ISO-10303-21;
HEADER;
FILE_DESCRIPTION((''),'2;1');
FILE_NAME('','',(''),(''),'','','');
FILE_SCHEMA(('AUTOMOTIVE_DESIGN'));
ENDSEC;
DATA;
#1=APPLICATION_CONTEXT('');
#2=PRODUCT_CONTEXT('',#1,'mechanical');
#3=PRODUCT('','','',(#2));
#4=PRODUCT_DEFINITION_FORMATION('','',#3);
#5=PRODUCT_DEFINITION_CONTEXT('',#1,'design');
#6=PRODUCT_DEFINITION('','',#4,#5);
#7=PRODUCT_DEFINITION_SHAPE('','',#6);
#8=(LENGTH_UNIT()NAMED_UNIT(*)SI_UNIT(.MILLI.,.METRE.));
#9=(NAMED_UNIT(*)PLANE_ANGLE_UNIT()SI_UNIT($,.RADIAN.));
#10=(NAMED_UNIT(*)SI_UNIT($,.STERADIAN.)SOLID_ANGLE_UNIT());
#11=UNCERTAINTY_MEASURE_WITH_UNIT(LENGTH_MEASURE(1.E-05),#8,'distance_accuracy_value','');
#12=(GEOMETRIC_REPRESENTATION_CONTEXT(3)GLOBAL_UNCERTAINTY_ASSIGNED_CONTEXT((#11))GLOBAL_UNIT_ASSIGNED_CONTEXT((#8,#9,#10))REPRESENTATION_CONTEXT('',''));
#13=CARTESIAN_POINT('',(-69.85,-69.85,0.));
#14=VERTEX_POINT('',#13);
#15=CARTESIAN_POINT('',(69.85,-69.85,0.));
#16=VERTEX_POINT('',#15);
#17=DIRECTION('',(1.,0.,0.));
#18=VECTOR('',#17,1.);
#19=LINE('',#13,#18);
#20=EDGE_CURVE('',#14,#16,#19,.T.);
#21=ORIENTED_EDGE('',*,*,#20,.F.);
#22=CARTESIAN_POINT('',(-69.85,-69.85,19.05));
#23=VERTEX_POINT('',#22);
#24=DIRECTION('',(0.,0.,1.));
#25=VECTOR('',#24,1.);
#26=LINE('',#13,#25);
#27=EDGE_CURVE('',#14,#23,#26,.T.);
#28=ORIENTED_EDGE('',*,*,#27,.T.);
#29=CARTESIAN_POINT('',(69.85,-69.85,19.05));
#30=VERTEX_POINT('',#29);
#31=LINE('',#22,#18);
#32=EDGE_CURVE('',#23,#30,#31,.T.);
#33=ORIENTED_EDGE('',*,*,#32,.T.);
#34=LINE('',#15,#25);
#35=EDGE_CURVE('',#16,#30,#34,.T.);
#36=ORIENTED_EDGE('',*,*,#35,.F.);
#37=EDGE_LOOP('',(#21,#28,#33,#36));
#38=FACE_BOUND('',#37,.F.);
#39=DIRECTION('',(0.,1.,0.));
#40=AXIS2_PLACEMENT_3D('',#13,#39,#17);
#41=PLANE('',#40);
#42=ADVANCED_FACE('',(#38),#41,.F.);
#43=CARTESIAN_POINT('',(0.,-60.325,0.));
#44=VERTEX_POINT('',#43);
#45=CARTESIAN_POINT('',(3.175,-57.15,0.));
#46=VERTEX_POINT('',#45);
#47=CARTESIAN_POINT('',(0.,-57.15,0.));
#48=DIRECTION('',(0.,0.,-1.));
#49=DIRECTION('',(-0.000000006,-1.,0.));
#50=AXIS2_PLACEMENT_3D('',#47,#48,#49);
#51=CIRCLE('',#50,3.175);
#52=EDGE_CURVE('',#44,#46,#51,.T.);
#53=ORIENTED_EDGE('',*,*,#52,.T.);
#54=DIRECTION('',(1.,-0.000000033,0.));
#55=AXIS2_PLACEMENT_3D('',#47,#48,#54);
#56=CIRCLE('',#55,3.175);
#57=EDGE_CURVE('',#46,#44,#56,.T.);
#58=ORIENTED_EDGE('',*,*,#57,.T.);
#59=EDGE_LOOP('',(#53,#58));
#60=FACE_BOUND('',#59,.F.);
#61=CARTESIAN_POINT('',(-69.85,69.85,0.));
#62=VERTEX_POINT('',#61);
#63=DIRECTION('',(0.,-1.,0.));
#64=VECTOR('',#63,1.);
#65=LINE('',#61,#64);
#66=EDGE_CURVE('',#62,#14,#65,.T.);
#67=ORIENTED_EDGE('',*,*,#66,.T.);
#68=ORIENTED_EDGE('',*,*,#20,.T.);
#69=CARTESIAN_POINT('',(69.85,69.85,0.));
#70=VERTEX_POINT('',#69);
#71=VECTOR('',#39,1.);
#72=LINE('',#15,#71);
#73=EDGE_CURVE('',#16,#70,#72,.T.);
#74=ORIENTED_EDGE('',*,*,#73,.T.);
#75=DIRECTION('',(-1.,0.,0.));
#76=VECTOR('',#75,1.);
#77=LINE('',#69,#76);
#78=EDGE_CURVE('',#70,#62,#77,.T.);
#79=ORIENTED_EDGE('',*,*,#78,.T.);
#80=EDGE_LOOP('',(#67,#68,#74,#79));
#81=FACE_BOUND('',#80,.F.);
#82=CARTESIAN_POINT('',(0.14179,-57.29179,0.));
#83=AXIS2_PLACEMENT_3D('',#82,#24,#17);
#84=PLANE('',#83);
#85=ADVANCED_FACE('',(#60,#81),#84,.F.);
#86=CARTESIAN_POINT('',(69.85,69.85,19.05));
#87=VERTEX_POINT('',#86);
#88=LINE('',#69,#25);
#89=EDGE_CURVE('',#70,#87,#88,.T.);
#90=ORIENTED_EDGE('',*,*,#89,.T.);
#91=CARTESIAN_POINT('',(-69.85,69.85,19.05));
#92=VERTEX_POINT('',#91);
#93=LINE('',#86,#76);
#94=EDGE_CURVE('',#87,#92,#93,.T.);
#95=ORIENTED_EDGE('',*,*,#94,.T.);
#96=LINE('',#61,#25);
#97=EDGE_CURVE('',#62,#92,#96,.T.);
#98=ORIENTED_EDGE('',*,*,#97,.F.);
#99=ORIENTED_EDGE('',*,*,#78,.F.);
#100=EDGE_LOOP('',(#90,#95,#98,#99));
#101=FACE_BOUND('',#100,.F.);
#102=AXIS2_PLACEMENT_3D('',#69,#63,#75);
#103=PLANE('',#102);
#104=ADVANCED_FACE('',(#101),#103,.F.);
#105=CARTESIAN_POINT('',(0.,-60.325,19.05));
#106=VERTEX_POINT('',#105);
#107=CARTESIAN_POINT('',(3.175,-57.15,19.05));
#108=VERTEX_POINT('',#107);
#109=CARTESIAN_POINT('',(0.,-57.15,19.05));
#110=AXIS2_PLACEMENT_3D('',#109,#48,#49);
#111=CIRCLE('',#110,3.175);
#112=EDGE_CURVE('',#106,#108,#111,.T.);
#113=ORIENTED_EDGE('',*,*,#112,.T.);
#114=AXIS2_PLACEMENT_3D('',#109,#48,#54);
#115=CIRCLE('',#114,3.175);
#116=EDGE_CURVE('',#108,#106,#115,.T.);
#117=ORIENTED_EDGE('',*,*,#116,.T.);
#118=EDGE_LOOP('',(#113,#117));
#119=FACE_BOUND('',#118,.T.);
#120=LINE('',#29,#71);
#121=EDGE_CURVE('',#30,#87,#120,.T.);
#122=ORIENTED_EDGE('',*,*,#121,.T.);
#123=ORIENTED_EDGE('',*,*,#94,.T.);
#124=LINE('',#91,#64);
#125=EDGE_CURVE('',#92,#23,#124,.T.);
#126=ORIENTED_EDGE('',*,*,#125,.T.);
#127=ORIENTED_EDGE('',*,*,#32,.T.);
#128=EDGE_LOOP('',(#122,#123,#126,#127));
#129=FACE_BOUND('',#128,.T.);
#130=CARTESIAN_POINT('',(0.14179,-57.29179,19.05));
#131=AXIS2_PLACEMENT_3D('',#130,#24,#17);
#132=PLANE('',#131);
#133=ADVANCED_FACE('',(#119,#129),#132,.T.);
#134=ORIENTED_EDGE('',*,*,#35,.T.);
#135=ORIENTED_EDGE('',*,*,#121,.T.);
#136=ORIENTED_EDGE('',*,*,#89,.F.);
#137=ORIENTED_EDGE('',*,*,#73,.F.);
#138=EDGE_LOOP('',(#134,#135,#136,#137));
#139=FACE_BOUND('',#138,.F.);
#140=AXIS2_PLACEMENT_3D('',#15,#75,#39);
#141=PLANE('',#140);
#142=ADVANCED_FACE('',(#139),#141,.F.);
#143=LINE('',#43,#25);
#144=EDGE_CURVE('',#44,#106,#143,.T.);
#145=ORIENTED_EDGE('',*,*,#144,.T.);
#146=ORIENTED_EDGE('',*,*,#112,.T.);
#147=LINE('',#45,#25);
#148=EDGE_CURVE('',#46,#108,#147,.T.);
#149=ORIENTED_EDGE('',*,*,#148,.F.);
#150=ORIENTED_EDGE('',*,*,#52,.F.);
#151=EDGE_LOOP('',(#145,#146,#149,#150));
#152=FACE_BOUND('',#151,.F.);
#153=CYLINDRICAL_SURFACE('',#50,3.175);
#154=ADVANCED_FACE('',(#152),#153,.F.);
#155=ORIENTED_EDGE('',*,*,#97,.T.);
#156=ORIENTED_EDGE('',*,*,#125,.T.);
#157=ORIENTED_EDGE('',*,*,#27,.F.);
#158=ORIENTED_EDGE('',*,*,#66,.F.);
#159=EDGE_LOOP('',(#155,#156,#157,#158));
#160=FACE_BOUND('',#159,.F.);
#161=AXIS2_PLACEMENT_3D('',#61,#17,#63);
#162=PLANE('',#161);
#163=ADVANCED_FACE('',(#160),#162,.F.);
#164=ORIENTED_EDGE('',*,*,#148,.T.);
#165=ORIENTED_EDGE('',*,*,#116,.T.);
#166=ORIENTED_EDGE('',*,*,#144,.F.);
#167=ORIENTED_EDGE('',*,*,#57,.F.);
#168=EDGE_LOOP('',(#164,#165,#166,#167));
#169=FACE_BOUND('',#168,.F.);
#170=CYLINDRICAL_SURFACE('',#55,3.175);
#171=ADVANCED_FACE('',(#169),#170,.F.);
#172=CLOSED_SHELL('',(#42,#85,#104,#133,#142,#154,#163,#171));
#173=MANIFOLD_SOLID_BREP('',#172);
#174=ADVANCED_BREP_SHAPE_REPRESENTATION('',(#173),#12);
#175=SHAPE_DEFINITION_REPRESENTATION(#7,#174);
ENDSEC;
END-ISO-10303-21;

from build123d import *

# Parameters (mm, degrees)
F1_DEPTH = 19.05


with BuildPart() as f1:
    # F0 (on Top) → F1 (new body)
    with BuildSketch(Plane.XY):
        with BuildLine():
            ThreePointArc((3.175, -57.15), (-2.245064, -54.904936), (0, -60.325))
            ThreePointArc((0, -60.325), (2.245064, -59.395064), (3.175, -57.15))
        make_face()
        Polygon((69.85, 69.85), (-69.85, 69.85), (-69.85, -69.85), (0, -69.85), (69.85, -69.85), align=None)
        with BuildLine():
            ThreePointArc((3.175, -57.15), (2.245064, -59.395064), (0, -60.325))
            ThreePointArc((0, -60.325), (-2.245064, -54.904936), (3.175, -57.15))
        make_face(mode=Mode.SUBTRACT)
    extrude(amount=F1_DEPTH)


solid = f1.part
